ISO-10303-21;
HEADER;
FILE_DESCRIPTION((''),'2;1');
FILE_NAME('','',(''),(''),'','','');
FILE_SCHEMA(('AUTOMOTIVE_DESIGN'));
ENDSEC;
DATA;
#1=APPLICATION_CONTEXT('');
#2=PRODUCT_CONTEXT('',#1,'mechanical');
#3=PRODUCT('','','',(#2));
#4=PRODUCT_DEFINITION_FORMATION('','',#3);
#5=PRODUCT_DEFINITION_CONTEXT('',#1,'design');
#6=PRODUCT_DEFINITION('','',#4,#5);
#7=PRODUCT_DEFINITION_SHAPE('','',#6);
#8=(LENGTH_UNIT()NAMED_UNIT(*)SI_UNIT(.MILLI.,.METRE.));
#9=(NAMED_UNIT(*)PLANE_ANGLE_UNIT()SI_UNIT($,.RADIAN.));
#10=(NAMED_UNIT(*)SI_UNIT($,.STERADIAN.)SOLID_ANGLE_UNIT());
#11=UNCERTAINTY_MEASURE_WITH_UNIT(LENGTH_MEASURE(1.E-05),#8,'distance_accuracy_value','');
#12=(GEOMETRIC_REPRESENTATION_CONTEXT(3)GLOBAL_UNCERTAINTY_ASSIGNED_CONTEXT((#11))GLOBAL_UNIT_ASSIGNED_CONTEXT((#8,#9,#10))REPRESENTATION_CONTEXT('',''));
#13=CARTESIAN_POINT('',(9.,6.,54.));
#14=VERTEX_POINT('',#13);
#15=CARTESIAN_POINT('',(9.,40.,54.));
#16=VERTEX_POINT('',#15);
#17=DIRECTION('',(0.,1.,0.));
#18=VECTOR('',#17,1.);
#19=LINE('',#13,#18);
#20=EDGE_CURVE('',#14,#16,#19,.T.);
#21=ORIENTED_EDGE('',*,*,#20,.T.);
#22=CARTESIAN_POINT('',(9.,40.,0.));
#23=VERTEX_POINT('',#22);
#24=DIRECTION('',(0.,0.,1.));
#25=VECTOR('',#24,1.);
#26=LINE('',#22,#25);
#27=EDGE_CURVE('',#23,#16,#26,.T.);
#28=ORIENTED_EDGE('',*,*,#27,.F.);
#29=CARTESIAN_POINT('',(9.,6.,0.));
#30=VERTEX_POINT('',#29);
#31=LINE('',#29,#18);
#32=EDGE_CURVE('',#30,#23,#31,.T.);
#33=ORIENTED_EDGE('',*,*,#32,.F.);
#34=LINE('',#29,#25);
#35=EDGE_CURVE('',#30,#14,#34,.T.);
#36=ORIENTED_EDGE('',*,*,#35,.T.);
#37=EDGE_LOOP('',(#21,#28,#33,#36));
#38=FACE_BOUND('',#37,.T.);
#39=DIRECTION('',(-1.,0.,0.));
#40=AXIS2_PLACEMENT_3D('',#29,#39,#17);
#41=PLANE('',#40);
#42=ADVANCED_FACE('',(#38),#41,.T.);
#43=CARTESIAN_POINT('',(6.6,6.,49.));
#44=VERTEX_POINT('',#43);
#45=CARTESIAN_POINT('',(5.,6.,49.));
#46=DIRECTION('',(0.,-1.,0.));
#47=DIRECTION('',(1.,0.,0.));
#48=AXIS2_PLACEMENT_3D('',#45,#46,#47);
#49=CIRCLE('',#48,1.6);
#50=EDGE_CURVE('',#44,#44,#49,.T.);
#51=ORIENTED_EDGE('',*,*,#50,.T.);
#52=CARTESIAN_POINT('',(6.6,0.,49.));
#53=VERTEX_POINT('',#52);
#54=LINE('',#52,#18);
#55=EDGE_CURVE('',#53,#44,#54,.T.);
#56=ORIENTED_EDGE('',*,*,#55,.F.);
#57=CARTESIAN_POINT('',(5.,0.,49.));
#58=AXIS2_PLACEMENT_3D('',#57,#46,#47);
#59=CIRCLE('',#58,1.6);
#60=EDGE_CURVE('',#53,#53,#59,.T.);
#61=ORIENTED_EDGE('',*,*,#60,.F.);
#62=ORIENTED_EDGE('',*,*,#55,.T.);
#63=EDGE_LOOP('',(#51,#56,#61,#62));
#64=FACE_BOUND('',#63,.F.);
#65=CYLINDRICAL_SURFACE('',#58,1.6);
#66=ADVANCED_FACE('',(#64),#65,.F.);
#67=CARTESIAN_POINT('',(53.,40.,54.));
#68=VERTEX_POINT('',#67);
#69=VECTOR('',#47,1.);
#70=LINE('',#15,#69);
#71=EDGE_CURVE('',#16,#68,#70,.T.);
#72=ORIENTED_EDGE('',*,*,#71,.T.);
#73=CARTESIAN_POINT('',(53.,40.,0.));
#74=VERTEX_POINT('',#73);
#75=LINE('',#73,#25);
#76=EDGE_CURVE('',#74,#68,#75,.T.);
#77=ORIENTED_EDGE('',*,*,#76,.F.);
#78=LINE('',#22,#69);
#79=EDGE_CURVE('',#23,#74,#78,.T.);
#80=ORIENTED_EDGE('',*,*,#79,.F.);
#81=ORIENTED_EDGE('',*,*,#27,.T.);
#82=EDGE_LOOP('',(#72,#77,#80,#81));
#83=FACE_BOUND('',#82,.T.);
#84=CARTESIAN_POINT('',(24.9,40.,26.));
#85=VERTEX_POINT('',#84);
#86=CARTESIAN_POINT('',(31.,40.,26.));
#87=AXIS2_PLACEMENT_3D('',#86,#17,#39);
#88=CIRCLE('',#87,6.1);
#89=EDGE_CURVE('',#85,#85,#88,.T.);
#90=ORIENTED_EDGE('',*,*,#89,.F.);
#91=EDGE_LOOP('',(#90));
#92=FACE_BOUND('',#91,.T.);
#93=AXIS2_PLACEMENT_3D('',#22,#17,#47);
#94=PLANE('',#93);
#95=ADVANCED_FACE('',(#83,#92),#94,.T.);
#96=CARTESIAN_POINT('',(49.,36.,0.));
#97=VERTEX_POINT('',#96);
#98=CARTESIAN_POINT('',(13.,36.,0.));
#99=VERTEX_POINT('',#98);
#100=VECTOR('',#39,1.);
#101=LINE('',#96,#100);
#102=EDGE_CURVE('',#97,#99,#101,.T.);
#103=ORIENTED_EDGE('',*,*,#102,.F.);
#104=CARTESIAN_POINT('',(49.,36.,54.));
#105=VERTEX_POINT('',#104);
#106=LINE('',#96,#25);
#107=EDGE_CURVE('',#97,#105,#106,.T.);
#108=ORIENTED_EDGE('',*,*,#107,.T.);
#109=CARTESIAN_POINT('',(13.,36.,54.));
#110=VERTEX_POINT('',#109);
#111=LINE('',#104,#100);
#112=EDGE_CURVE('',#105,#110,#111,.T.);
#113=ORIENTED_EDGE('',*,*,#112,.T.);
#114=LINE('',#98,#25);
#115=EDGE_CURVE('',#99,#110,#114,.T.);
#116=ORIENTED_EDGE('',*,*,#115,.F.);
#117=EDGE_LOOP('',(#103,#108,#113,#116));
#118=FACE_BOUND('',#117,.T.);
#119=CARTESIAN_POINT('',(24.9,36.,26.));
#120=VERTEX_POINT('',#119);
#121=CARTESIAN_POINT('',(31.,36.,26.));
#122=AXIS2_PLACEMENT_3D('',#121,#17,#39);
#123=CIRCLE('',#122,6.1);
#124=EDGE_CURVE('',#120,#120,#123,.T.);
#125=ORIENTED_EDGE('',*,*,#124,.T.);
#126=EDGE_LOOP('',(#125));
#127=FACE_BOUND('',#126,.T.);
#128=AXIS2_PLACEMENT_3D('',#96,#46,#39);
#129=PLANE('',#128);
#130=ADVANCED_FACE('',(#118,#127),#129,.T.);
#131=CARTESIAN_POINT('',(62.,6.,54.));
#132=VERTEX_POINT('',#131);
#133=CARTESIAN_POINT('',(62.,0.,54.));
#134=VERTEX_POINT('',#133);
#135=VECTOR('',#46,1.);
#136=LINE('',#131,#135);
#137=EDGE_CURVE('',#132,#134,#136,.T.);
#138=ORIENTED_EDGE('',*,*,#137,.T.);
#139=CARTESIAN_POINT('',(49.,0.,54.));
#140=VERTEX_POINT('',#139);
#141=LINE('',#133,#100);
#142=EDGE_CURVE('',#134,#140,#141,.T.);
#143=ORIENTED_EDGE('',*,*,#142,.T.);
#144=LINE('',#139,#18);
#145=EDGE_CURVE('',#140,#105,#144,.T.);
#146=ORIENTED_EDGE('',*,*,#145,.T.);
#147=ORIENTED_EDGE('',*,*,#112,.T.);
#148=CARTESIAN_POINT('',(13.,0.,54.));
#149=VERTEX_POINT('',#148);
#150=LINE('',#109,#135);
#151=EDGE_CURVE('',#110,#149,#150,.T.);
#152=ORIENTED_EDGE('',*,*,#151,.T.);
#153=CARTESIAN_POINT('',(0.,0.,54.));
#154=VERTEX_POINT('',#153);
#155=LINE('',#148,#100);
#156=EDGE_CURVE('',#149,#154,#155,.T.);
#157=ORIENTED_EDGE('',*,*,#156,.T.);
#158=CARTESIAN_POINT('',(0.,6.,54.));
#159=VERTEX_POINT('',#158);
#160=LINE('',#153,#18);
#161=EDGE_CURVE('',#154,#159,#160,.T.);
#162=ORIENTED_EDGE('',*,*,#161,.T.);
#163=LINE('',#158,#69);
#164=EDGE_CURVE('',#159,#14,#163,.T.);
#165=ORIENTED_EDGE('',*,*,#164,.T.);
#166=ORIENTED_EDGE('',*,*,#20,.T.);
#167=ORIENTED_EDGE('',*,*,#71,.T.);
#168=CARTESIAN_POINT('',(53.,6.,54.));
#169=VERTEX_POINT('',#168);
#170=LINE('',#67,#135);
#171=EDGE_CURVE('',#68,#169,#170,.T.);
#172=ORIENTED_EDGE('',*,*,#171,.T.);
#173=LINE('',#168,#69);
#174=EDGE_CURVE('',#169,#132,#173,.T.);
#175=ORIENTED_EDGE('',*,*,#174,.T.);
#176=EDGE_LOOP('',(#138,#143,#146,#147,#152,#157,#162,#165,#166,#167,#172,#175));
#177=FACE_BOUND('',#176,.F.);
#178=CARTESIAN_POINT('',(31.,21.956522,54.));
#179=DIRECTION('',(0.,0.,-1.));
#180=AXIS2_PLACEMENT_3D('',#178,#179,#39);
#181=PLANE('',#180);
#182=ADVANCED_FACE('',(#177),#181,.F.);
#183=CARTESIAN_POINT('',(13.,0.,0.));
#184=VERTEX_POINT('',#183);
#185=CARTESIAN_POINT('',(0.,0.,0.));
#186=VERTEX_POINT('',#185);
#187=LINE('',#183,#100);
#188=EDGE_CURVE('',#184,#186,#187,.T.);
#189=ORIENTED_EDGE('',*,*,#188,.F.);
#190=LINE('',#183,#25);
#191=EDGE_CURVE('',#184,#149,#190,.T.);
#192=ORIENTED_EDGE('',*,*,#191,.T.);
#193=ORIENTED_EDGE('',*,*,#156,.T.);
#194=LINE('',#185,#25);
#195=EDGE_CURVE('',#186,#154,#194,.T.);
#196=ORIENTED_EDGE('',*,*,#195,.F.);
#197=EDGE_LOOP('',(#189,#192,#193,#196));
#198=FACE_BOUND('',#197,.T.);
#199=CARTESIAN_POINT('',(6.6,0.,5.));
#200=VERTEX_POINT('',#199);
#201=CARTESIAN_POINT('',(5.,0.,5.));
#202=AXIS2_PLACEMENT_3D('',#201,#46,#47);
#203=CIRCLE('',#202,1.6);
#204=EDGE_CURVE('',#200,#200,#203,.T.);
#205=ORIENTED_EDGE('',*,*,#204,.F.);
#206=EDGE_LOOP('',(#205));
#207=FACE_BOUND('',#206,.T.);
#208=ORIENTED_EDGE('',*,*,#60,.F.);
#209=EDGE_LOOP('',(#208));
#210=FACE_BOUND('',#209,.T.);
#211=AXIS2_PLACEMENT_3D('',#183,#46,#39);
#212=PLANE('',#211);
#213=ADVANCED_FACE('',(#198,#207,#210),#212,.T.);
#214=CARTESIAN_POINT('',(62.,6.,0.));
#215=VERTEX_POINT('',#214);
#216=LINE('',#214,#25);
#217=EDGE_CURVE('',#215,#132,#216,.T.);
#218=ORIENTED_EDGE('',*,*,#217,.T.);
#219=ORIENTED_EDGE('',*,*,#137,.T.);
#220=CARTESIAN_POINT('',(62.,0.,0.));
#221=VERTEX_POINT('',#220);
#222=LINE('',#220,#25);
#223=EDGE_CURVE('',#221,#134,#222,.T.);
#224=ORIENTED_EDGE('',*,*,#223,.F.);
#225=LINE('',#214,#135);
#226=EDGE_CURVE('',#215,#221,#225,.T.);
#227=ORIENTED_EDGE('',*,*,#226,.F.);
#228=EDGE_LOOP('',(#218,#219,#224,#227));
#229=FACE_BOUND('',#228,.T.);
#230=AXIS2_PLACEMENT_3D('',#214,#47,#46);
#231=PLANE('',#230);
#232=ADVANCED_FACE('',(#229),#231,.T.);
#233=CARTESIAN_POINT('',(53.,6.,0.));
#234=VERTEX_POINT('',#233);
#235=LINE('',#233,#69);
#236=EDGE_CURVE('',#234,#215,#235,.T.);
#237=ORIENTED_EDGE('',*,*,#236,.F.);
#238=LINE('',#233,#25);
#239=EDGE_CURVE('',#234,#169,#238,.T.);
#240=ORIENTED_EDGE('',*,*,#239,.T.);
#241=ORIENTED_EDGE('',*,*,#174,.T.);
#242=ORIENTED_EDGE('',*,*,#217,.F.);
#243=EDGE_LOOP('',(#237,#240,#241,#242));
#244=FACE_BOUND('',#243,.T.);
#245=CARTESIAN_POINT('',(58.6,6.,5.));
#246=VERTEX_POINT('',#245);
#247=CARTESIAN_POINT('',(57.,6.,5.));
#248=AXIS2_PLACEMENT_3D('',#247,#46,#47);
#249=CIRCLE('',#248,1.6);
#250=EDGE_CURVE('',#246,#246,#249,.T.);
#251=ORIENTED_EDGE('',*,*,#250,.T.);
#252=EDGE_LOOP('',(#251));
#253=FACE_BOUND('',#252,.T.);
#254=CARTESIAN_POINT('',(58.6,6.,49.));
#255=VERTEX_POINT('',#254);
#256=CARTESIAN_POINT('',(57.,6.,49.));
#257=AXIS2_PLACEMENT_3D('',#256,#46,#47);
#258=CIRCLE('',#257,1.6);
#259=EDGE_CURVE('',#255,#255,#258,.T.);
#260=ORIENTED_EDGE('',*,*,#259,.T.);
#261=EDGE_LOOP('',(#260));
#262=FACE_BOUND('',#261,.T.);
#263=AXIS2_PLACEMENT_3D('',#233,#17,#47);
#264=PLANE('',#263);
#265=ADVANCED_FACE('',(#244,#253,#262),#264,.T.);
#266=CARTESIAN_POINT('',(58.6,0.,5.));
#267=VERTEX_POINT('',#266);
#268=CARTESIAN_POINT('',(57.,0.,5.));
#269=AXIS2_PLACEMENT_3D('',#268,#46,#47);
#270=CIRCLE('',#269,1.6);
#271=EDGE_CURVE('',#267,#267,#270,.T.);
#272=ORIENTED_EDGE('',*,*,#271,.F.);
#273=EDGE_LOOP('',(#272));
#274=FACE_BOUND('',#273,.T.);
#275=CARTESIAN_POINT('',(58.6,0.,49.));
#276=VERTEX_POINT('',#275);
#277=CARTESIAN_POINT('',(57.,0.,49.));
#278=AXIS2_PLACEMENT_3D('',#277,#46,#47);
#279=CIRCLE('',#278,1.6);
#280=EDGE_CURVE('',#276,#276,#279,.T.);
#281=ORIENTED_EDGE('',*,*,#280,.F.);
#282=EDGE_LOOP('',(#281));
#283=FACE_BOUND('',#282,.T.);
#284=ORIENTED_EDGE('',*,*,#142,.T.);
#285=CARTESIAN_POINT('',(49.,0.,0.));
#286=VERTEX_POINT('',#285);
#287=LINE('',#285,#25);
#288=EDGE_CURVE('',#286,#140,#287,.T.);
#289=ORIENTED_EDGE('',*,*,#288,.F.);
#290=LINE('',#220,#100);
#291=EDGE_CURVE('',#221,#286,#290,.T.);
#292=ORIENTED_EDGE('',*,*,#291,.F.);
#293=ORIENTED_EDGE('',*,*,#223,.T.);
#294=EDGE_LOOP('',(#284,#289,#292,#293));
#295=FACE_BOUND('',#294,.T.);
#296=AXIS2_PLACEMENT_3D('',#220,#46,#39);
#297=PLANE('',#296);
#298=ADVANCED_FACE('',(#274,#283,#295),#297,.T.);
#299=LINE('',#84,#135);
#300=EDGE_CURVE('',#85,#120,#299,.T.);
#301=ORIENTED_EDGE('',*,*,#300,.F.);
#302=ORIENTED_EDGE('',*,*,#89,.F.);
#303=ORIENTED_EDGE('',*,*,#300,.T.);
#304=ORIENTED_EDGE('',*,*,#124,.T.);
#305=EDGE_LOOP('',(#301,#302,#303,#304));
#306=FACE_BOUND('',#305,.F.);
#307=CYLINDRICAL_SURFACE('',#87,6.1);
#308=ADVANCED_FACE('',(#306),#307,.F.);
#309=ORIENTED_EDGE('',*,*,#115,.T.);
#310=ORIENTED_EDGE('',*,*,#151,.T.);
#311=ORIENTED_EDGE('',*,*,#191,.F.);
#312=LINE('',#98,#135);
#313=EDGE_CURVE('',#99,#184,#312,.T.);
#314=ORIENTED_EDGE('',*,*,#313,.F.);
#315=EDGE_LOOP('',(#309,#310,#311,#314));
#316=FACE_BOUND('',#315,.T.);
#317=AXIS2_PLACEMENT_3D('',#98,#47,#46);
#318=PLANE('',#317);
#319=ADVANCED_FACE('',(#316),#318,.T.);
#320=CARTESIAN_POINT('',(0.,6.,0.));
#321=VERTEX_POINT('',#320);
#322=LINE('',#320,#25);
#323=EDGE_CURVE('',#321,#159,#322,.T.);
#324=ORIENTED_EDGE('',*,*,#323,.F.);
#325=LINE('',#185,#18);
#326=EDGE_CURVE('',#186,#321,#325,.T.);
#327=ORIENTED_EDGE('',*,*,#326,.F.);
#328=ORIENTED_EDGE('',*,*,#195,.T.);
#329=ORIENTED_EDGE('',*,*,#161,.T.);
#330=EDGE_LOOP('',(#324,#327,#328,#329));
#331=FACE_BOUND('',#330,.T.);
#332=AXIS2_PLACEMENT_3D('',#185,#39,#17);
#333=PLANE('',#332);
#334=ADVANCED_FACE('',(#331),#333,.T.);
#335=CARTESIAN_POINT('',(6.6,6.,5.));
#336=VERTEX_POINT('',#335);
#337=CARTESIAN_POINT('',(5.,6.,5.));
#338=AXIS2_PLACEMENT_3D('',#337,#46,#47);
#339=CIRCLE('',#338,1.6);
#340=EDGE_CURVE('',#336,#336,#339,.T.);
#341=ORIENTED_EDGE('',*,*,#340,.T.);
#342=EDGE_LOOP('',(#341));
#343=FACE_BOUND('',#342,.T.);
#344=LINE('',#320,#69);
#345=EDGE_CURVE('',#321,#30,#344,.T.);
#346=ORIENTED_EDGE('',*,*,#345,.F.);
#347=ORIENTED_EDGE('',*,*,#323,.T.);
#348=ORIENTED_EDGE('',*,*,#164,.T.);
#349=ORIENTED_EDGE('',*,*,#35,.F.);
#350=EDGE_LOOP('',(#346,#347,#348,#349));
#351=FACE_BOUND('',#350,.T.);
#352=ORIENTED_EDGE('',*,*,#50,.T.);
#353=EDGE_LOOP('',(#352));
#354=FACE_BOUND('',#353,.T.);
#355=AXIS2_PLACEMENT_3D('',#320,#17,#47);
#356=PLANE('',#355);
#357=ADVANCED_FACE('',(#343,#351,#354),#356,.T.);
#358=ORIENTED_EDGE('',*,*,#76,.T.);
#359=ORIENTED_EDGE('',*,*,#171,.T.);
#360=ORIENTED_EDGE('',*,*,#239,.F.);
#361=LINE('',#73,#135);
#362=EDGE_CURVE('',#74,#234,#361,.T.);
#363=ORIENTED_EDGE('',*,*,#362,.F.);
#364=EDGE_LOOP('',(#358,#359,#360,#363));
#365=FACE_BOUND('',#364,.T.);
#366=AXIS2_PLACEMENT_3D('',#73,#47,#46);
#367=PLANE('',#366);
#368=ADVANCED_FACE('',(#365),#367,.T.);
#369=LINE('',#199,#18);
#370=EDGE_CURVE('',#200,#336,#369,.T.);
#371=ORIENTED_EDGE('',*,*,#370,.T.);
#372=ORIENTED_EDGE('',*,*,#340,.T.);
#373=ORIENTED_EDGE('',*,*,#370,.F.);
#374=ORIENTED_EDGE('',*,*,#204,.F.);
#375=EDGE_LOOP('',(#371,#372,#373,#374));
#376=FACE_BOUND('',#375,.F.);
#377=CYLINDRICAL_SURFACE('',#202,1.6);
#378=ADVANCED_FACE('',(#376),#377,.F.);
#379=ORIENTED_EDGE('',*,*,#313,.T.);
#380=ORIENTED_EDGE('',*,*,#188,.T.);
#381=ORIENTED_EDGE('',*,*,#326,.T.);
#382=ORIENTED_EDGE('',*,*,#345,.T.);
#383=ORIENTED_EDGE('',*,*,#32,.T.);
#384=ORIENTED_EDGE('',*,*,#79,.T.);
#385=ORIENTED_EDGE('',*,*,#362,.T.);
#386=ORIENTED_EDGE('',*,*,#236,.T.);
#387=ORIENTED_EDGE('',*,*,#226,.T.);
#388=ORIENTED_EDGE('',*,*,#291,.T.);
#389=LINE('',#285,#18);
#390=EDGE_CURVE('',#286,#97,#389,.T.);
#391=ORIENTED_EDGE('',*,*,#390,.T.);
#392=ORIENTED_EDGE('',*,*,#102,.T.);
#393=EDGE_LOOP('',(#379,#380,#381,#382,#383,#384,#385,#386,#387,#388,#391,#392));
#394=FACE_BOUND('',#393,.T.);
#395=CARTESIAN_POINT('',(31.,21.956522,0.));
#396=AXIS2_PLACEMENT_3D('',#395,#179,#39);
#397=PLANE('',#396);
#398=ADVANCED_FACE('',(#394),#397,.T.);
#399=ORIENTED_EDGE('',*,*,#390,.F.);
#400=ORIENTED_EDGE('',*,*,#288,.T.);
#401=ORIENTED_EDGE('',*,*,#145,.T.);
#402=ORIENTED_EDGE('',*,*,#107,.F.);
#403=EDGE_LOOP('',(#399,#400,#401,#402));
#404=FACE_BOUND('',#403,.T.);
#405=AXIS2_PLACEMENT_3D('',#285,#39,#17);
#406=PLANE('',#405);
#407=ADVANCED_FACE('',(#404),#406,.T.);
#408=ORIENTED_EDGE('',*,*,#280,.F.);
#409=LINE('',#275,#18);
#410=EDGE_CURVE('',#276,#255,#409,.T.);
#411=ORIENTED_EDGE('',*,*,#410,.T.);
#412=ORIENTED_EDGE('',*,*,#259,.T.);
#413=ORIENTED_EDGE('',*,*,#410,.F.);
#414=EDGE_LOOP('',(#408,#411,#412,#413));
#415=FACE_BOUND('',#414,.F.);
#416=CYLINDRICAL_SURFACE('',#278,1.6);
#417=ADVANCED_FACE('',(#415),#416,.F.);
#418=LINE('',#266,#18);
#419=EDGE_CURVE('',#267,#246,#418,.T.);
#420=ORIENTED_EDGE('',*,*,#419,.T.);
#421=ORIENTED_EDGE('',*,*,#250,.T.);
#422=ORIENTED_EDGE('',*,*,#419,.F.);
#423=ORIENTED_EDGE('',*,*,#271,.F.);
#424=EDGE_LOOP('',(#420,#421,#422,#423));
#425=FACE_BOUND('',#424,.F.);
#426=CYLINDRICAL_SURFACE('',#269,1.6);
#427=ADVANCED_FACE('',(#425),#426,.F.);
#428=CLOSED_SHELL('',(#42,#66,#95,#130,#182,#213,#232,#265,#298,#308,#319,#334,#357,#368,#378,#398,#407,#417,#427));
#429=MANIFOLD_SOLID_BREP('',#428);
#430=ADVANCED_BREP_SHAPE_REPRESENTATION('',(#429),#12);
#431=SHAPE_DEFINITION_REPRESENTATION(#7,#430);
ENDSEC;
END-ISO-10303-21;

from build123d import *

# Parameters (mm, degrees)
PAD_DEPTH       = 54
SKETCH001_R     = 1.6
POCKET_DEPTH    = 6
SKETCH002_R     = 6.1
POCKET001_DEPTH = 5


with BuildPart() as part:
    # Sketch → Pad (new body)
    with BuildSketch(Plane.XY):
        Polygon((0, 0), (0, 6), (9, 6), (9, 40), (53, 40), (53, 6), (62, 6), (62, 0), (49, 0), (49, 36), (13, 36), (13, 0), align=None)
    extrude(amount=PAD_DEPTH)

    # Sketch001 (on Face8 of Pad) → Pocket (cut)
    with BuildSketch(Plane.XZ):
        with Locations((5, 5)):
            Circle(SKETCH001_R)
        with Locations((57, 5)):
            Circle(SKETCH001_R)
        with Locations((57, 49)):
            Circle(SKETCH001_R)
        with Locations((5, 49)):
            Circle(SKETCH001_R)
    extrude(amount=-POCKET_DEPTH, mode=Mode.SUBTRACT)

    # Sketch002 (on Face10 of Pocket) → Pocket001 (cut)
    with BuildSketch(Plane(origin=(0, 40, 0), x_dir=(-1, 0, 0), z_dir=(0, 1, 0))):
        with Locations((-31, 26)):
            Circle(SKETCH002_R)
    extrude(amount=-POCKET001_DEPTH, mode=Mode.SUBTRACT)


solid = part.part
